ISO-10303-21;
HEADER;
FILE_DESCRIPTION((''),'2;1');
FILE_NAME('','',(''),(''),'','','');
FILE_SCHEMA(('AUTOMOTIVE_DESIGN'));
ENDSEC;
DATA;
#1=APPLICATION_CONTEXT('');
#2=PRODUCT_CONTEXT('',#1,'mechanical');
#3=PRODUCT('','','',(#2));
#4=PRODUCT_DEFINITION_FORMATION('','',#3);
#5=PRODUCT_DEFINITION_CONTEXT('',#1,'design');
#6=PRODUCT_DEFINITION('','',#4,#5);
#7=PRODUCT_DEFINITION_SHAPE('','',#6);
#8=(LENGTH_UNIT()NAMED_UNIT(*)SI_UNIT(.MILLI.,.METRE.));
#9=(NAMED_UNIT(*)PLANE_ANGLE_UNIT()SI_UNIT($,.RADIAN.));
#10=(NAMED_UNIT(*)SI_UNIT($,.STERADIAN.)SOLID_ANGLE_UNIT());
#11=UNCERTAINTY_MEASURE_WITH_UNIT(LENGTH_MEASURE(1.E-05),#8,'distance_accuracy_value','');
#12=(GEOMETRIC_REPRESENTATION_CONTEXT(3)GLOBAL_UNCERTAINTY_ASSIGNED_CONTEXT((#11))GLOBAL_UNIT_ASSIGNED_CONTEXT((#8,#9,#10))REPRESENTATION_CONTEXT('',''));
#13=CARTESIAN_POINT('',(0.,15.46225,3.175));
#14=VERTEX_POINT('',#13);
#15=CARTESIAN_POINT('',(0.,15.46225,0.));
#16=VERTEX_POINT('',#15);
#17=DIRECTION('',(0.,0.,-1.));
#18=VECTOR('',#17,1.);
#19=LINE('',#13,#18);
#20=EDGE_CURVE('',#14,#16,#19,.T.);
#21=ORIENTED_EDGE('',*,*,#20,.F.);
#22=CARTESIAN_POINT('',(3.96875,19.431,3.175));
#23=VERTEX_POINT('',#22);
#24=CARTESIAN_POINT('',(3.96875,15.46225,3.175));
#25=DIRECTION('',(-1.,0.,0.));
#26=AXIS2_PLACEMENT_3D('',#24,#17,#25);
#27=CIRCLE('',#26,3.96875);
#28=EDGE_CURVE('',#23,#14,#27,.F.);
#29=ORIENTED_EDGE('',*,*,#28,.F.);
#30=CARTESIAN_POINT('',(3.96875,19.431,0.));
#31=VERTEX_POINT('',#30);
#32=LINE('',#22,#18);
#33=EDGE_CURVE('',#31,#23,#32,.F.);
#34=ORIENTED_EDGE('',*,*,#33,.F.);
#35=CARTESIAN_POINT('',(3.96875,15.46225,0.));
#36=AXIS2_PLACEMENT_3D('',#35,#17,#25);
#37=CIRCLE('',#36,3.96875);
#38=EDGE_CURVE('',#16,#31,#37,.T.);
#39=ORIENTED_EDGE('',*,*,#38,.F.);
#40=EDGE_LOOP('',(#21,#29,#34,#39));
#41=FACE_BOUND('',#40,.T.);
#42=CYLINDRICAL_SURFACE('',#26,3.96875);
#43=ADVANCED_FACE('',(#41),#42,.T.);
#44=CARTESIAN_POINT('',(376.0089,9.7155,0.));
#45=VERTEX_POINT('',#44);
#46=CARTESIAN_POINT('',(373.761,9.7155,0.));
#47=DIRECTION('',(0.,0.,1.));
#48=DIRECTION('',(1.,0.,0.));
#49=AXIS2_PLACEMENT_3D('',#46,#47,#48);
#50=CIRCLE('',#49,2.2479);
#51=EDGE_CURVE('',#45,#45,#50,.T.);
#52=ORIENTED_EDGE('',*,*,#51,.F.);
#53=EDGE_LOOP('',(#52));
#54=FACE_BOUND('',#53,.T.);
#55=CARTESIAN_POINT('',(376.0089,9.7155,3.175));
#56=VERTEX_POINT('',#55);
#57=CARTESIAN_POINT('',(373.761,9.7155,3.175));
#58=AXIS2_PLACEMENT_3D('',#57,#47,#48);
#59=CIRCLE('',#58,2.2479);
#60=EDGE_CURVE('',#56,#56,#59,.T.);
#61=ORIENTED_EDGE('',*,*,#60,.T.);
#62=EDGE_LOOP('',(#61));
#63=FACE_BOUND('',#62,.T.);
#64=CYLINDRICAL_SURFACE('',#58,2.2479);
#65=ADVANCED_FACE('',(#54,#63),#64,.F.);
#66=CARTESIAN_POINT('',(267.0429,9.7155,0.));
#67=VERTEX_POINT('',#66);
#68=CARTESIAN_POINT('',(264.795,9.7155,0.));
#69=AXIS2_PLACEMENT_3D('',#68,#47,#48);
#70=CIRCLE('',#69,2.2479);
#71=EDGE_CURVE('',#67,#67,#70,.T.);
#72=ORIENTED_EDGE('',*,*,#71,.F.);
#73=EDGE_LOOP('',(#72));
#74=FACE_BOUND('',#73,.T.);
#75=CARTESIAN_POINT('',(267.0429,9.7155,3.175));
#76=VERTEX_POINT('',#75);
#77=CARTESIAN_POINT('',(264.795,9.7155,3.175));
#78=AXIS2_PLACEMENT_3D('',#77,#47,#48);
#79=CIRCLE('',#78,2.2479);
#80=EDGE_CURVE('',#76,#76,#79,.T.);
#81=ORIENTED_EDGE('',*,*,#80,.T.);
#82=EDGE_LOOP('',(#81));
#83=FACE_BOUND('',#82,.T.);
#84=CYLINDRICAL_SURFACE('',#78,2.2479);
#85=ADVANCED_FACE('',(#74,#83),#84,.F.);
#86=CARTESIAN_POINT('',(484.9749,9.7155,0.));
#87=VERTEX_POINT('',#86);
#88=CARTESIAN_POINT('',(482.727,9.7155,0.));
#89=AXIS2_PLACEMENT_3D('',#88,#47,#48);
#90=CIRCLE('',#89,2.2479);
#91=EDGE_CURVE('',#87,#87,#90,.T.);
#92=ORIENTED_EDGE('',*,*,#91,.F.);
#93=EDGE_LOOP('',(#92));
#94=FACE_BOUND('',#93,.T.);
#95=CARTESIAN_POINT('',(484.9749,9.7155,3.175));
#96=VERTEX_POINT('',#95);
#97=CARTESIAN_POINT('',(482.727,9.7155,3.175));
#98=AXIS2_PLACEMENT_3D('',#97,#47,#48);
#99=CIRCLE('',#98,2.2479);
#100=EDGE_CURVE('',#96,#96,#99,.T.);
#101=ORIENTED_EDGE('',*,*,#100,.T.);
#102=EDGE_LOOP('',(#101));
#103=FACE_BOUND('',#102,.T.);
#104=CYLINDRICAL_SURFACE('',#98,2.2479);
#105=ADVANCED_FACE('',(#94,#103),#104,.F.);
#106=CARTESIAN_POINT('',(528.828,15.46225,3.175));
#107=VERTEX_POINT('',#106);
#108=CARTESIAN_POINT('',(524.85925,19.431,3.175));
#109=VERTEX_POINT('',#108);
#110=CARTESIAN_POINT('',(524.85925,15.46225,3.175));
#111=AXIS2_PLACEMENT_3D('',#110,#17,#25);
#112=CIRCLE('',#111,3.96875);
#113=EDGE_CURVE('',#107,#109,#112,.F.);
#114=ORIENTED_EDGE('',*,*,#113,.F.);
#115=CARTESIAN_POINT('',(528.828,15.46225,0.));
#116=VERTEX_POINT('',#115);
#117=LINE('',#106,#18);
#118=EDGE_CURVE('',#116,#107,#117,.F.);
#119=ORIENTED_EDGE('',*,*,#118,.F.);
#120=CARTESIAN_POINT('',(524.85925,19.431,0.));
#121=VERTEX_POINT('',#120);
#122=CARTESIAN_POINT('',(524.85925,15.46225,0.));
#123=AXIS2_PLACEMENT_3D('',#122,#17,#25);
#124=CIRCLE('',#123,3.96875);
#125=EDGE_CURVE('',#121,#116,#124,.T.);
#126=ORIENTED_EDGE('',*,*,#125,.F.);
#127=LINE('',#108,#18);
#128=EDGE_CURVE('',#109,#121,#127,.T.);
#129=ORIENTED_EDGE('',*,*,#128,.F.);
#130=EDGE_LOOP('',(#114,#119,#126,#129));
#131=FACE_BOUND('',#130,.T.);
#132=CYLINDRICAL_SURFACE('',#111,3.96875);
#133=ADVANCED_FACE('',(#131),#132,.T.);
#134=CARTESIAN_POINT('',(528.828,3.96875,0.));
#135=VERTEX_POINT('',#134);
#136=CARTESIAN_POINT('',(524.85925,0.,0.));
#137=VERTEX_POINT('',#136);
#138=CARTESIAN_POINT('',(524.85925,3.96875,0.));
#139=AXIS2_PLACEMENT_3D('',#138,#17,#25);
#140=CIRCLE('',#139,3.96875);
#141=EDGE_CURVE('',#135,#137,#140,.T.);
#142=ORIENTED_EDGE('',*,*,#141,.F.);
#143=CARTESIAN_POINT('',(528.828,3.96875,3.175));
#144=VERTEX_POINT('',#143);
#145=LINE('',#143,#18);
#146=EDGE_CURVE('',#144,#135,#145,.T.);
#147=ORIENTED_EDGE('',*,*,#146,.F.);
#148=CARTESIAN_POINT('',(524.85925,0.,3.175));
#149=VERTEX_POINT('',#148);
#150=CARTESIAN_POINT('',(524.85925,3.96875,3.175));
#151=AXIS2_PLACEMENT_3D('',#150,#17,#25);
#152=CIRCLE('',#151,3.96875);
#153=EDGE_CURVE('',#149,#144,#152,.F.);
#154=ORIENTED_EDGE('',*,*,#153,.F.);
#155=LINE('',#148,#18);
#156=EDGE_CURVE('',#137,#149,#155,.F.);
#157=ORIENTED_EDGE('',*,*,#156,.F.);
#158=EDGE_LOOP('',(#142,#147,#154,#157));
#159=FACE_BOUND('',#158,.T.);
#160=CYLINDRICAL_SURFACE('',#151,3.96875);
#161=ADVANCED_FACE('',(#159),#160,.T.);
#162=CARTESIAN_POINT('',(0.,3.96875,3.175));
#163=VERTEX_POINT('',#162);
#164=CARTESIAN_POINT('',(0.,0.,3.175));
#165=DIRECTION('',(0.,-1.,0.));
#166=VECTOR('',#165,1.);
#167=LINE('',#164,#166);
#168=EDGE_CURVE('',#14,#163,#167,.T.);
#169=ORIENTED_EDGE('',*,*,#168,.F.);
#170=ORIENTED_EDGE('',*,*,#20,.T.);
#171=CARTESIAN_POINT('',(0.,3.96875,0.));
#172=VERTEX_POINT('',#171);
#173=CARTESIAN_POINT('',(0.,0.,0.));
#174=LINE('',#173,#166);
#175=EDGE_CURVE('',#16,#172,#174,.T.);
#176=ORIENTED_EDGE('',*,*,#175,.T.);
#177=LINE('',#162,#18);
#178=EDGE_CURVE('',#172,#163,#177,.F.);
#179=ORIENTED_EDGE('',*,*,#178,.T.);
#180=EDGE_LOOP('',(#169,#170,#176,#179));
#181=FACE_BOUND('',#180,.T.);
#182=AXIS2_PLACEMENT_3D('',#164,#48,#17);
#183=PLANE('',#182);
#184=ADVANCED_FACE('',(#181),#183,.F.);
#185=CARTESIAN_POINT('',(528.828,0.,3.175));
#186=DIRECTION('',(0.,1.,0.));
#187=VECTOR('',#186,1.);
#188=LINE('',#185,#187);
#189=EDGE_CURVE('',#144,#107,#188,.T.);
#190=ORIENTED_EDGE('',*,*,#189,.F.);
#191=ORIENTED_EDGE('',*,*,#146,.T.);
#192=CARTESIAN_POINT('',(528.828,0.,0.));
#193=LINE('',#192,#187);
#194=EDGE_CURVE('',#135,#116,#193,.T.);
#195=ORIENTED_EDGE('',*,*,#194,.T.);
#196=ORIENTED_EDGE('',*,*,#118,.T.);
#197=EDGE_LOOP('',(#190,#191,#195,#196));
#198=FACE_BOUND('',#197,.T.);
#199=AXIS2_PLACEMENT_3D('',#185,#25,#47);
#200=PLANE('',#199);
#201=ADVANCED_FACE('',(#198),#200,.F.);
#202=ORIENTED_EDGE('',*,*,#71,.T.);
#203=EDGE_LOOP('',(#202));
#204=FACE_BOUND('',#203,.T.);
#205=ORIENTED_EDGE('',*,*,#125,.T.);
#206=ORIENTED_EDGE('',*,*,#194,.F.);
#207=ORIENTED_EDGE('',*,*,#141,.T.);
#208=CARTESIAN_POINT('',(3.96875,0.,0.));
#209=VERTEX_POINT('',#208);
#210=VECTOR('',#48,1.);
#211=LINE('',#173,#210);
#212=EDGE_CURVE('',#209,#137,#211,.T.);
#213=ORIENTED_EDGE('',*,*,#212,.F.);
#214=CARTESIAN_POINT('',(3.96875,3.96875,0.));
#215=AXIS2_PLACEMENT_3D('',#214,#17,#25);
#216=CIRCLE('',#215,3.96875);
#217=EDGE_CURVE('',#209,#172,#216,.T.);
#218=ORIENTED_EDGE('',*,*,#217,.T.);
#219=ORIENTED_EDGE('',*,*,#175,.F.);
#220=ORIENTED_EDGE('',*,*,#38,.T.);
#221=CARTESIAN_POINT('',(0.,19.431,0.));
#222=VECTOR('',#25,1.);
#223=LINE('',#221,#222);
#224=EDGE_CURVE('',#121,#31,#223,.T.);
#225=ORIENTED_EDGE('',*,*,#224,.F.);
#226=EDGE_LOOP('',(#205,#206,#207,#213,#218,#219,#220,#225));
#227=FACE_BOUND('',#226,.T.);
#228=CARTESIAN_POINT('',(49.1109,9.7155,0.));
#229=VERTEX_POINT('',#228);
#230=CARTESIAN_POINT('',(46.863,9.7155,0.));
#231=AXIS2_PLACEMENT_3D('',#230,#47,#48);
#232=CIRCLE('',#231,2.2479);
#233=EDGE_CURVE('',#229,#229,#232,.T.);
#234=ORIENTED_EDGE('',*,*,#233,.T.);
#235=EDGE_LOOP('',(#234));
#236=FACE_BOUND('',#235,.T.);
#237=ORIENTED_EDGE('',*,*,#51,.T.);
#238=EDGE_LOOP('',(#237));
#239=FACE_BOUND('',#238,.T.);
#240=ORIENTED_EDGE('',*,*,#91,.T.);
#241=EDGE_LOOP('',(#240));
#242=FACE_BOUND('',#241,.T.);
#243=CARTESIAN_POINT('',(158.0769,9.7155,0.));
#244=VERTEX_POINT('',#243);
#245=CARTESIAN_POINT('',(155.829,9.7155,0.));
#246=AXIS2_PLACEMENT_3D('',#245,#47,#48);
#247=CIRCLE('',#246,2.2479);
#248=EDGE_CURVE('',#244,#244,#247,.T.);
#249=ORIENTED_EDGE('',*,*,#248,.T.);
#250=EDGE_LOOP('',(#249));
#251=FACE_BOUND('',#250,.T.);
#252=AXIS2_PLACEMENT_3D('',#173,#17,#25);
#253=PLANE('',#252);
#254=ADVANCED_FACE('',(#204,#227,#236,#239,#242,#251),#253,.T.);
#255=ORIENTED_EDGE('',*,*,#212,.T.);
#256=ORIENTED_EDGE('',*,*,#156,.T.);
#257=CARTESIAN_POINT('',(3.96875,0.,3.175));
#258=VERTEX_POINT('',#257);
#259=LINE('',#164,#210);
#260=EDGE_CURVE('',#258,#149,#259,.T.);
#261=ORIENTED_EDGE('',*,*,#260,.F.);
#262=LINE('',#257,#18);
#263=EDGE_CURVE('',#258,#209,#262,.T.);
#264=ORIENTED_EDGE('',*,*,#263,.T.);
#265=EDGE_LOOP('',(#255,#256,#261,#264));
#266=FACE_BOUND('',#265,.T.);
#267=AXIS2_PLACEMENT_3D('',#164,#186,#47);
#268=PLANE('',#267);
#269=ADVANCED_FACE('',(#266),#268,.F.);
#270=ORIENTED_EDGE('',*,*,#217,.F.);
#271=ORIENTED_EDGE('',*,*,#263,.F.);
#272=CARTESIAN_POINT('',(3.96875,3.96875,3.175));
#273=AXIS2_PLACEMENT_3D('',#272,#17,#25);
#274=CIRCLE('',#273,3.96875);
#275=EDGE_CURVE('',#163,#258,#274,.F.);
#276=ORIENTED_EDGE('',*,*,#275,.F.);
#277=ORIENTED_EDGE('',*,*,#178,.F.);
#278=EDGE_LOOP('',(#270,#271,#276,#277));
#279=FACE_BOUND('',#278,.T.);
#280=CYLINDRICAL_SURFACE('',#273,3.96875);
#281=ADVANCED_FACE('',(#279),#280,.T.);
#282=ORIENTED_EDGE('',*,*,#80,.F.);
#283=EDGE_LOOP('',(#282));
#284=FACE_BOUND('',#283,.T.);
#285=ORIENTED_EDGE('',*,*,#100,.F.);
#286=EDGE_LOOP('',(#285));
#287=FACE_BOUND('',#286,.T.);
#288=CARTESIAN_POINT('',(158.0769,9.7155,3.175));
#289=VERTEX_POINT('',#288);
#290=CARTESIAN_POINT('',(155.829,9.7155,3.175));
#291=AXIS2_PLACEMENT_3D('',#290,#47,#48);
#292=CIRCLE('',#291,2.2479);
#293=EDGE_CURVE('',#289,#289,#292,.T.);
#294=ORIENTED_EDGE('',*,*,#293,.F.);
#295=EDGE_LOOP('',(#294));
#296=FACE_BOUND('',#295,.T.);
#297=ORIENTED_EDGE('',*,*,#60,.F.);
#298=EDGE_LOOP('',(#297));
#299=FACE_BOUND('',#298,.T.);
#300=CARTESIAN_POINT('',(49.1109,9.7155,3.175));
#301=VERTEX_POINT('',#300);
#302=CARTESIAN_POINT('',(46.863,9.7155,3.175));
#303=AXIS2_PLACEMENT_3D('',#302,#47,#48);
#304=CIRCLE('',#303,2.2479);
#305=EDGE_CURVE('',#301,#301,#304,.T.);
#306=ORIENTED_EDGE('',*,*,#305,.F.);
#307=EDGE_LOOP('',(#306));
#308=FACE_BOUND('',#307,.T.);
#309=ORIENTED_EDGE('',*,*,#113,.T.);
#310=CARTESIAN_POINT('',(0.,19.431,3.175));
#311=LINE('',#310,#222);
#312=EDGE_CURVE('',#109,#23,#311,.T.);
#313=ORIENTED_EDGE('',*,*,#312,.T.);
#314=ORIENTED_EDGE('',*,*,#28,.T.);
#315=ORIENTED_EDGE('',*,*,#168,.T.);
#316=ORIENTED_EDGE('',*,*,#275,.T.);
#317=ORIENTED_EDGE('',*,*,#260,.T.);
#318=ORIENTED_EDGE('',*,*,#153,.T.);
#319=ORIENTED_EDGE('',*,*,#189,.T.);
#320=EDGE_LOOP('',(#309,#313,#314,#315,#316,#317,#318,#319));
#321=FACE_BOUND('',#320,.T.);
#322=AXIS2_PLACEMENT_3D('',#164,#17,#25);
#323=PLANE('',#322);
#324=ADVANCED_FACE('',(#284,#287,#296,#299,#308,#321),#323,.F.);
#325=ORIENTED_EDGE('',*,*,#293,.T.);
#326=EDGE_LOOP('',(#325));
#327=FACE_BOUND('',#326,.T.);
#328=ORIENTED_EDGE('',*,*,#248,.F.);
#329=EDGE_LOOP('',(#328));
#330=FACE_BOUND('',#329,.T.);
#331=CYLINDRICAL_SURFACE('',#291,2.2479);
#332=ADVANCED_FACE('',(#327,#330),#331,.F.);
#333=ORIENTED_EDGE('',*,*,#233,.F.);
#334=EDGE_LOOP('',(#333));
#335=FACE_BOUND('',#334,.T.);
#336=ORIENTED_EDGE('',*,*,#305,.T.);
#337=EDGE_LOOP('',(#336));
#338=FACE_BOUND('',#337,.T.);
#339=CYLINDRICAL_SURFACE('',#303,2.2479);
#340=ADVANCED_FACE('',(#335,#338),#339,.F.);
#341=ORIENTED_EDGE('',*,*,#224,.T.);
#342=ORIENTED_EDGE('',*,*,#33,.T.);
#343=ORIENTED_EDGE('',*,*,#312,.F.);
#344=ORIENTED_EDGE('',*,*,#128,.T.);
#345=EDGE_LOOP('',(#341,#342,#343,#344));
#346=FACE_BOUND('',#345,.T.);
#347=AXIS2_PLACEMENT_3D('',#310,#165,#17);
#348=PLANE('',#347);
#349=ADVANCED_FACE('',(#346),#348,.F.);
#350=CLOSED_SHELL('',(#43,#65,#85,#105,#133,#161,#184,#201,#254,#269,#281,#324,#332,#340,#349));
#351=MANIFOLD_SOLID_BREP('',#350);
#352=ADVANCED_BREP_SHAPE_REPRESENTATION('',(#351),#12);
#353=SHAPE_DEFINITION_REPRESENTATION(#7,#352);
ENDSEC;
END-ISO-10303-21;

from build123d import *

# Parameters (mm, degrees)
SKETCH1_W             = 528.828
SKETCH1_H             = 19.431
BOSS_EXTRUDE1_DEPTH   = 3.175
F_8_CLEARANCE_HOLE1_D = 4.4958
FILLET1_R             = 3.96875
LPATTERN1_COUNT       = 5
LPATTERN1_PITCH       = 108.966


with BuildPart() as part:
    # Sketch1 → Boss-Extrude1 (new body)
    with BuildSketch(Plane.XY):
        with Locations((264.414, 9.7155)):
            Rectangle(SKETCH1_W, SKETCH1_H)
    extrude(amount=BOSS_EXTRUDE1_DEPTH)

    # #8 Clearance Hole1 (through all)
    with Locations(Plane.XY.offset(3.175)):
        with Locations((46.863, 9.7155)):
            f_8_clearance_hole1 = Hole(F_8_CLEARANCE_HOLE1_D / 2)

    # Fillet1
    fillet1_edges = [part.edges().sort_by_distance(p)[0] for p in [
        (0, 19.431, 1.5875),
        (528.828, 19.431, 1.5875),
        (528.828, 0, 1.5875),
        (0, 0, 1.5875),
    ]]
    fillet(fillet1_edges, radius=FILLET1_R)

    # LPattern1: #8 Clearance Hole1 ×5
    with Locations(*[(i * LPATTERN1_PITCH, 0, 0) for i in range(1, LPATTERN1_COUNT)]):
        add(f_8_clearance_hole1, mode=Mode.SUBTRACT)


solid = part.part
